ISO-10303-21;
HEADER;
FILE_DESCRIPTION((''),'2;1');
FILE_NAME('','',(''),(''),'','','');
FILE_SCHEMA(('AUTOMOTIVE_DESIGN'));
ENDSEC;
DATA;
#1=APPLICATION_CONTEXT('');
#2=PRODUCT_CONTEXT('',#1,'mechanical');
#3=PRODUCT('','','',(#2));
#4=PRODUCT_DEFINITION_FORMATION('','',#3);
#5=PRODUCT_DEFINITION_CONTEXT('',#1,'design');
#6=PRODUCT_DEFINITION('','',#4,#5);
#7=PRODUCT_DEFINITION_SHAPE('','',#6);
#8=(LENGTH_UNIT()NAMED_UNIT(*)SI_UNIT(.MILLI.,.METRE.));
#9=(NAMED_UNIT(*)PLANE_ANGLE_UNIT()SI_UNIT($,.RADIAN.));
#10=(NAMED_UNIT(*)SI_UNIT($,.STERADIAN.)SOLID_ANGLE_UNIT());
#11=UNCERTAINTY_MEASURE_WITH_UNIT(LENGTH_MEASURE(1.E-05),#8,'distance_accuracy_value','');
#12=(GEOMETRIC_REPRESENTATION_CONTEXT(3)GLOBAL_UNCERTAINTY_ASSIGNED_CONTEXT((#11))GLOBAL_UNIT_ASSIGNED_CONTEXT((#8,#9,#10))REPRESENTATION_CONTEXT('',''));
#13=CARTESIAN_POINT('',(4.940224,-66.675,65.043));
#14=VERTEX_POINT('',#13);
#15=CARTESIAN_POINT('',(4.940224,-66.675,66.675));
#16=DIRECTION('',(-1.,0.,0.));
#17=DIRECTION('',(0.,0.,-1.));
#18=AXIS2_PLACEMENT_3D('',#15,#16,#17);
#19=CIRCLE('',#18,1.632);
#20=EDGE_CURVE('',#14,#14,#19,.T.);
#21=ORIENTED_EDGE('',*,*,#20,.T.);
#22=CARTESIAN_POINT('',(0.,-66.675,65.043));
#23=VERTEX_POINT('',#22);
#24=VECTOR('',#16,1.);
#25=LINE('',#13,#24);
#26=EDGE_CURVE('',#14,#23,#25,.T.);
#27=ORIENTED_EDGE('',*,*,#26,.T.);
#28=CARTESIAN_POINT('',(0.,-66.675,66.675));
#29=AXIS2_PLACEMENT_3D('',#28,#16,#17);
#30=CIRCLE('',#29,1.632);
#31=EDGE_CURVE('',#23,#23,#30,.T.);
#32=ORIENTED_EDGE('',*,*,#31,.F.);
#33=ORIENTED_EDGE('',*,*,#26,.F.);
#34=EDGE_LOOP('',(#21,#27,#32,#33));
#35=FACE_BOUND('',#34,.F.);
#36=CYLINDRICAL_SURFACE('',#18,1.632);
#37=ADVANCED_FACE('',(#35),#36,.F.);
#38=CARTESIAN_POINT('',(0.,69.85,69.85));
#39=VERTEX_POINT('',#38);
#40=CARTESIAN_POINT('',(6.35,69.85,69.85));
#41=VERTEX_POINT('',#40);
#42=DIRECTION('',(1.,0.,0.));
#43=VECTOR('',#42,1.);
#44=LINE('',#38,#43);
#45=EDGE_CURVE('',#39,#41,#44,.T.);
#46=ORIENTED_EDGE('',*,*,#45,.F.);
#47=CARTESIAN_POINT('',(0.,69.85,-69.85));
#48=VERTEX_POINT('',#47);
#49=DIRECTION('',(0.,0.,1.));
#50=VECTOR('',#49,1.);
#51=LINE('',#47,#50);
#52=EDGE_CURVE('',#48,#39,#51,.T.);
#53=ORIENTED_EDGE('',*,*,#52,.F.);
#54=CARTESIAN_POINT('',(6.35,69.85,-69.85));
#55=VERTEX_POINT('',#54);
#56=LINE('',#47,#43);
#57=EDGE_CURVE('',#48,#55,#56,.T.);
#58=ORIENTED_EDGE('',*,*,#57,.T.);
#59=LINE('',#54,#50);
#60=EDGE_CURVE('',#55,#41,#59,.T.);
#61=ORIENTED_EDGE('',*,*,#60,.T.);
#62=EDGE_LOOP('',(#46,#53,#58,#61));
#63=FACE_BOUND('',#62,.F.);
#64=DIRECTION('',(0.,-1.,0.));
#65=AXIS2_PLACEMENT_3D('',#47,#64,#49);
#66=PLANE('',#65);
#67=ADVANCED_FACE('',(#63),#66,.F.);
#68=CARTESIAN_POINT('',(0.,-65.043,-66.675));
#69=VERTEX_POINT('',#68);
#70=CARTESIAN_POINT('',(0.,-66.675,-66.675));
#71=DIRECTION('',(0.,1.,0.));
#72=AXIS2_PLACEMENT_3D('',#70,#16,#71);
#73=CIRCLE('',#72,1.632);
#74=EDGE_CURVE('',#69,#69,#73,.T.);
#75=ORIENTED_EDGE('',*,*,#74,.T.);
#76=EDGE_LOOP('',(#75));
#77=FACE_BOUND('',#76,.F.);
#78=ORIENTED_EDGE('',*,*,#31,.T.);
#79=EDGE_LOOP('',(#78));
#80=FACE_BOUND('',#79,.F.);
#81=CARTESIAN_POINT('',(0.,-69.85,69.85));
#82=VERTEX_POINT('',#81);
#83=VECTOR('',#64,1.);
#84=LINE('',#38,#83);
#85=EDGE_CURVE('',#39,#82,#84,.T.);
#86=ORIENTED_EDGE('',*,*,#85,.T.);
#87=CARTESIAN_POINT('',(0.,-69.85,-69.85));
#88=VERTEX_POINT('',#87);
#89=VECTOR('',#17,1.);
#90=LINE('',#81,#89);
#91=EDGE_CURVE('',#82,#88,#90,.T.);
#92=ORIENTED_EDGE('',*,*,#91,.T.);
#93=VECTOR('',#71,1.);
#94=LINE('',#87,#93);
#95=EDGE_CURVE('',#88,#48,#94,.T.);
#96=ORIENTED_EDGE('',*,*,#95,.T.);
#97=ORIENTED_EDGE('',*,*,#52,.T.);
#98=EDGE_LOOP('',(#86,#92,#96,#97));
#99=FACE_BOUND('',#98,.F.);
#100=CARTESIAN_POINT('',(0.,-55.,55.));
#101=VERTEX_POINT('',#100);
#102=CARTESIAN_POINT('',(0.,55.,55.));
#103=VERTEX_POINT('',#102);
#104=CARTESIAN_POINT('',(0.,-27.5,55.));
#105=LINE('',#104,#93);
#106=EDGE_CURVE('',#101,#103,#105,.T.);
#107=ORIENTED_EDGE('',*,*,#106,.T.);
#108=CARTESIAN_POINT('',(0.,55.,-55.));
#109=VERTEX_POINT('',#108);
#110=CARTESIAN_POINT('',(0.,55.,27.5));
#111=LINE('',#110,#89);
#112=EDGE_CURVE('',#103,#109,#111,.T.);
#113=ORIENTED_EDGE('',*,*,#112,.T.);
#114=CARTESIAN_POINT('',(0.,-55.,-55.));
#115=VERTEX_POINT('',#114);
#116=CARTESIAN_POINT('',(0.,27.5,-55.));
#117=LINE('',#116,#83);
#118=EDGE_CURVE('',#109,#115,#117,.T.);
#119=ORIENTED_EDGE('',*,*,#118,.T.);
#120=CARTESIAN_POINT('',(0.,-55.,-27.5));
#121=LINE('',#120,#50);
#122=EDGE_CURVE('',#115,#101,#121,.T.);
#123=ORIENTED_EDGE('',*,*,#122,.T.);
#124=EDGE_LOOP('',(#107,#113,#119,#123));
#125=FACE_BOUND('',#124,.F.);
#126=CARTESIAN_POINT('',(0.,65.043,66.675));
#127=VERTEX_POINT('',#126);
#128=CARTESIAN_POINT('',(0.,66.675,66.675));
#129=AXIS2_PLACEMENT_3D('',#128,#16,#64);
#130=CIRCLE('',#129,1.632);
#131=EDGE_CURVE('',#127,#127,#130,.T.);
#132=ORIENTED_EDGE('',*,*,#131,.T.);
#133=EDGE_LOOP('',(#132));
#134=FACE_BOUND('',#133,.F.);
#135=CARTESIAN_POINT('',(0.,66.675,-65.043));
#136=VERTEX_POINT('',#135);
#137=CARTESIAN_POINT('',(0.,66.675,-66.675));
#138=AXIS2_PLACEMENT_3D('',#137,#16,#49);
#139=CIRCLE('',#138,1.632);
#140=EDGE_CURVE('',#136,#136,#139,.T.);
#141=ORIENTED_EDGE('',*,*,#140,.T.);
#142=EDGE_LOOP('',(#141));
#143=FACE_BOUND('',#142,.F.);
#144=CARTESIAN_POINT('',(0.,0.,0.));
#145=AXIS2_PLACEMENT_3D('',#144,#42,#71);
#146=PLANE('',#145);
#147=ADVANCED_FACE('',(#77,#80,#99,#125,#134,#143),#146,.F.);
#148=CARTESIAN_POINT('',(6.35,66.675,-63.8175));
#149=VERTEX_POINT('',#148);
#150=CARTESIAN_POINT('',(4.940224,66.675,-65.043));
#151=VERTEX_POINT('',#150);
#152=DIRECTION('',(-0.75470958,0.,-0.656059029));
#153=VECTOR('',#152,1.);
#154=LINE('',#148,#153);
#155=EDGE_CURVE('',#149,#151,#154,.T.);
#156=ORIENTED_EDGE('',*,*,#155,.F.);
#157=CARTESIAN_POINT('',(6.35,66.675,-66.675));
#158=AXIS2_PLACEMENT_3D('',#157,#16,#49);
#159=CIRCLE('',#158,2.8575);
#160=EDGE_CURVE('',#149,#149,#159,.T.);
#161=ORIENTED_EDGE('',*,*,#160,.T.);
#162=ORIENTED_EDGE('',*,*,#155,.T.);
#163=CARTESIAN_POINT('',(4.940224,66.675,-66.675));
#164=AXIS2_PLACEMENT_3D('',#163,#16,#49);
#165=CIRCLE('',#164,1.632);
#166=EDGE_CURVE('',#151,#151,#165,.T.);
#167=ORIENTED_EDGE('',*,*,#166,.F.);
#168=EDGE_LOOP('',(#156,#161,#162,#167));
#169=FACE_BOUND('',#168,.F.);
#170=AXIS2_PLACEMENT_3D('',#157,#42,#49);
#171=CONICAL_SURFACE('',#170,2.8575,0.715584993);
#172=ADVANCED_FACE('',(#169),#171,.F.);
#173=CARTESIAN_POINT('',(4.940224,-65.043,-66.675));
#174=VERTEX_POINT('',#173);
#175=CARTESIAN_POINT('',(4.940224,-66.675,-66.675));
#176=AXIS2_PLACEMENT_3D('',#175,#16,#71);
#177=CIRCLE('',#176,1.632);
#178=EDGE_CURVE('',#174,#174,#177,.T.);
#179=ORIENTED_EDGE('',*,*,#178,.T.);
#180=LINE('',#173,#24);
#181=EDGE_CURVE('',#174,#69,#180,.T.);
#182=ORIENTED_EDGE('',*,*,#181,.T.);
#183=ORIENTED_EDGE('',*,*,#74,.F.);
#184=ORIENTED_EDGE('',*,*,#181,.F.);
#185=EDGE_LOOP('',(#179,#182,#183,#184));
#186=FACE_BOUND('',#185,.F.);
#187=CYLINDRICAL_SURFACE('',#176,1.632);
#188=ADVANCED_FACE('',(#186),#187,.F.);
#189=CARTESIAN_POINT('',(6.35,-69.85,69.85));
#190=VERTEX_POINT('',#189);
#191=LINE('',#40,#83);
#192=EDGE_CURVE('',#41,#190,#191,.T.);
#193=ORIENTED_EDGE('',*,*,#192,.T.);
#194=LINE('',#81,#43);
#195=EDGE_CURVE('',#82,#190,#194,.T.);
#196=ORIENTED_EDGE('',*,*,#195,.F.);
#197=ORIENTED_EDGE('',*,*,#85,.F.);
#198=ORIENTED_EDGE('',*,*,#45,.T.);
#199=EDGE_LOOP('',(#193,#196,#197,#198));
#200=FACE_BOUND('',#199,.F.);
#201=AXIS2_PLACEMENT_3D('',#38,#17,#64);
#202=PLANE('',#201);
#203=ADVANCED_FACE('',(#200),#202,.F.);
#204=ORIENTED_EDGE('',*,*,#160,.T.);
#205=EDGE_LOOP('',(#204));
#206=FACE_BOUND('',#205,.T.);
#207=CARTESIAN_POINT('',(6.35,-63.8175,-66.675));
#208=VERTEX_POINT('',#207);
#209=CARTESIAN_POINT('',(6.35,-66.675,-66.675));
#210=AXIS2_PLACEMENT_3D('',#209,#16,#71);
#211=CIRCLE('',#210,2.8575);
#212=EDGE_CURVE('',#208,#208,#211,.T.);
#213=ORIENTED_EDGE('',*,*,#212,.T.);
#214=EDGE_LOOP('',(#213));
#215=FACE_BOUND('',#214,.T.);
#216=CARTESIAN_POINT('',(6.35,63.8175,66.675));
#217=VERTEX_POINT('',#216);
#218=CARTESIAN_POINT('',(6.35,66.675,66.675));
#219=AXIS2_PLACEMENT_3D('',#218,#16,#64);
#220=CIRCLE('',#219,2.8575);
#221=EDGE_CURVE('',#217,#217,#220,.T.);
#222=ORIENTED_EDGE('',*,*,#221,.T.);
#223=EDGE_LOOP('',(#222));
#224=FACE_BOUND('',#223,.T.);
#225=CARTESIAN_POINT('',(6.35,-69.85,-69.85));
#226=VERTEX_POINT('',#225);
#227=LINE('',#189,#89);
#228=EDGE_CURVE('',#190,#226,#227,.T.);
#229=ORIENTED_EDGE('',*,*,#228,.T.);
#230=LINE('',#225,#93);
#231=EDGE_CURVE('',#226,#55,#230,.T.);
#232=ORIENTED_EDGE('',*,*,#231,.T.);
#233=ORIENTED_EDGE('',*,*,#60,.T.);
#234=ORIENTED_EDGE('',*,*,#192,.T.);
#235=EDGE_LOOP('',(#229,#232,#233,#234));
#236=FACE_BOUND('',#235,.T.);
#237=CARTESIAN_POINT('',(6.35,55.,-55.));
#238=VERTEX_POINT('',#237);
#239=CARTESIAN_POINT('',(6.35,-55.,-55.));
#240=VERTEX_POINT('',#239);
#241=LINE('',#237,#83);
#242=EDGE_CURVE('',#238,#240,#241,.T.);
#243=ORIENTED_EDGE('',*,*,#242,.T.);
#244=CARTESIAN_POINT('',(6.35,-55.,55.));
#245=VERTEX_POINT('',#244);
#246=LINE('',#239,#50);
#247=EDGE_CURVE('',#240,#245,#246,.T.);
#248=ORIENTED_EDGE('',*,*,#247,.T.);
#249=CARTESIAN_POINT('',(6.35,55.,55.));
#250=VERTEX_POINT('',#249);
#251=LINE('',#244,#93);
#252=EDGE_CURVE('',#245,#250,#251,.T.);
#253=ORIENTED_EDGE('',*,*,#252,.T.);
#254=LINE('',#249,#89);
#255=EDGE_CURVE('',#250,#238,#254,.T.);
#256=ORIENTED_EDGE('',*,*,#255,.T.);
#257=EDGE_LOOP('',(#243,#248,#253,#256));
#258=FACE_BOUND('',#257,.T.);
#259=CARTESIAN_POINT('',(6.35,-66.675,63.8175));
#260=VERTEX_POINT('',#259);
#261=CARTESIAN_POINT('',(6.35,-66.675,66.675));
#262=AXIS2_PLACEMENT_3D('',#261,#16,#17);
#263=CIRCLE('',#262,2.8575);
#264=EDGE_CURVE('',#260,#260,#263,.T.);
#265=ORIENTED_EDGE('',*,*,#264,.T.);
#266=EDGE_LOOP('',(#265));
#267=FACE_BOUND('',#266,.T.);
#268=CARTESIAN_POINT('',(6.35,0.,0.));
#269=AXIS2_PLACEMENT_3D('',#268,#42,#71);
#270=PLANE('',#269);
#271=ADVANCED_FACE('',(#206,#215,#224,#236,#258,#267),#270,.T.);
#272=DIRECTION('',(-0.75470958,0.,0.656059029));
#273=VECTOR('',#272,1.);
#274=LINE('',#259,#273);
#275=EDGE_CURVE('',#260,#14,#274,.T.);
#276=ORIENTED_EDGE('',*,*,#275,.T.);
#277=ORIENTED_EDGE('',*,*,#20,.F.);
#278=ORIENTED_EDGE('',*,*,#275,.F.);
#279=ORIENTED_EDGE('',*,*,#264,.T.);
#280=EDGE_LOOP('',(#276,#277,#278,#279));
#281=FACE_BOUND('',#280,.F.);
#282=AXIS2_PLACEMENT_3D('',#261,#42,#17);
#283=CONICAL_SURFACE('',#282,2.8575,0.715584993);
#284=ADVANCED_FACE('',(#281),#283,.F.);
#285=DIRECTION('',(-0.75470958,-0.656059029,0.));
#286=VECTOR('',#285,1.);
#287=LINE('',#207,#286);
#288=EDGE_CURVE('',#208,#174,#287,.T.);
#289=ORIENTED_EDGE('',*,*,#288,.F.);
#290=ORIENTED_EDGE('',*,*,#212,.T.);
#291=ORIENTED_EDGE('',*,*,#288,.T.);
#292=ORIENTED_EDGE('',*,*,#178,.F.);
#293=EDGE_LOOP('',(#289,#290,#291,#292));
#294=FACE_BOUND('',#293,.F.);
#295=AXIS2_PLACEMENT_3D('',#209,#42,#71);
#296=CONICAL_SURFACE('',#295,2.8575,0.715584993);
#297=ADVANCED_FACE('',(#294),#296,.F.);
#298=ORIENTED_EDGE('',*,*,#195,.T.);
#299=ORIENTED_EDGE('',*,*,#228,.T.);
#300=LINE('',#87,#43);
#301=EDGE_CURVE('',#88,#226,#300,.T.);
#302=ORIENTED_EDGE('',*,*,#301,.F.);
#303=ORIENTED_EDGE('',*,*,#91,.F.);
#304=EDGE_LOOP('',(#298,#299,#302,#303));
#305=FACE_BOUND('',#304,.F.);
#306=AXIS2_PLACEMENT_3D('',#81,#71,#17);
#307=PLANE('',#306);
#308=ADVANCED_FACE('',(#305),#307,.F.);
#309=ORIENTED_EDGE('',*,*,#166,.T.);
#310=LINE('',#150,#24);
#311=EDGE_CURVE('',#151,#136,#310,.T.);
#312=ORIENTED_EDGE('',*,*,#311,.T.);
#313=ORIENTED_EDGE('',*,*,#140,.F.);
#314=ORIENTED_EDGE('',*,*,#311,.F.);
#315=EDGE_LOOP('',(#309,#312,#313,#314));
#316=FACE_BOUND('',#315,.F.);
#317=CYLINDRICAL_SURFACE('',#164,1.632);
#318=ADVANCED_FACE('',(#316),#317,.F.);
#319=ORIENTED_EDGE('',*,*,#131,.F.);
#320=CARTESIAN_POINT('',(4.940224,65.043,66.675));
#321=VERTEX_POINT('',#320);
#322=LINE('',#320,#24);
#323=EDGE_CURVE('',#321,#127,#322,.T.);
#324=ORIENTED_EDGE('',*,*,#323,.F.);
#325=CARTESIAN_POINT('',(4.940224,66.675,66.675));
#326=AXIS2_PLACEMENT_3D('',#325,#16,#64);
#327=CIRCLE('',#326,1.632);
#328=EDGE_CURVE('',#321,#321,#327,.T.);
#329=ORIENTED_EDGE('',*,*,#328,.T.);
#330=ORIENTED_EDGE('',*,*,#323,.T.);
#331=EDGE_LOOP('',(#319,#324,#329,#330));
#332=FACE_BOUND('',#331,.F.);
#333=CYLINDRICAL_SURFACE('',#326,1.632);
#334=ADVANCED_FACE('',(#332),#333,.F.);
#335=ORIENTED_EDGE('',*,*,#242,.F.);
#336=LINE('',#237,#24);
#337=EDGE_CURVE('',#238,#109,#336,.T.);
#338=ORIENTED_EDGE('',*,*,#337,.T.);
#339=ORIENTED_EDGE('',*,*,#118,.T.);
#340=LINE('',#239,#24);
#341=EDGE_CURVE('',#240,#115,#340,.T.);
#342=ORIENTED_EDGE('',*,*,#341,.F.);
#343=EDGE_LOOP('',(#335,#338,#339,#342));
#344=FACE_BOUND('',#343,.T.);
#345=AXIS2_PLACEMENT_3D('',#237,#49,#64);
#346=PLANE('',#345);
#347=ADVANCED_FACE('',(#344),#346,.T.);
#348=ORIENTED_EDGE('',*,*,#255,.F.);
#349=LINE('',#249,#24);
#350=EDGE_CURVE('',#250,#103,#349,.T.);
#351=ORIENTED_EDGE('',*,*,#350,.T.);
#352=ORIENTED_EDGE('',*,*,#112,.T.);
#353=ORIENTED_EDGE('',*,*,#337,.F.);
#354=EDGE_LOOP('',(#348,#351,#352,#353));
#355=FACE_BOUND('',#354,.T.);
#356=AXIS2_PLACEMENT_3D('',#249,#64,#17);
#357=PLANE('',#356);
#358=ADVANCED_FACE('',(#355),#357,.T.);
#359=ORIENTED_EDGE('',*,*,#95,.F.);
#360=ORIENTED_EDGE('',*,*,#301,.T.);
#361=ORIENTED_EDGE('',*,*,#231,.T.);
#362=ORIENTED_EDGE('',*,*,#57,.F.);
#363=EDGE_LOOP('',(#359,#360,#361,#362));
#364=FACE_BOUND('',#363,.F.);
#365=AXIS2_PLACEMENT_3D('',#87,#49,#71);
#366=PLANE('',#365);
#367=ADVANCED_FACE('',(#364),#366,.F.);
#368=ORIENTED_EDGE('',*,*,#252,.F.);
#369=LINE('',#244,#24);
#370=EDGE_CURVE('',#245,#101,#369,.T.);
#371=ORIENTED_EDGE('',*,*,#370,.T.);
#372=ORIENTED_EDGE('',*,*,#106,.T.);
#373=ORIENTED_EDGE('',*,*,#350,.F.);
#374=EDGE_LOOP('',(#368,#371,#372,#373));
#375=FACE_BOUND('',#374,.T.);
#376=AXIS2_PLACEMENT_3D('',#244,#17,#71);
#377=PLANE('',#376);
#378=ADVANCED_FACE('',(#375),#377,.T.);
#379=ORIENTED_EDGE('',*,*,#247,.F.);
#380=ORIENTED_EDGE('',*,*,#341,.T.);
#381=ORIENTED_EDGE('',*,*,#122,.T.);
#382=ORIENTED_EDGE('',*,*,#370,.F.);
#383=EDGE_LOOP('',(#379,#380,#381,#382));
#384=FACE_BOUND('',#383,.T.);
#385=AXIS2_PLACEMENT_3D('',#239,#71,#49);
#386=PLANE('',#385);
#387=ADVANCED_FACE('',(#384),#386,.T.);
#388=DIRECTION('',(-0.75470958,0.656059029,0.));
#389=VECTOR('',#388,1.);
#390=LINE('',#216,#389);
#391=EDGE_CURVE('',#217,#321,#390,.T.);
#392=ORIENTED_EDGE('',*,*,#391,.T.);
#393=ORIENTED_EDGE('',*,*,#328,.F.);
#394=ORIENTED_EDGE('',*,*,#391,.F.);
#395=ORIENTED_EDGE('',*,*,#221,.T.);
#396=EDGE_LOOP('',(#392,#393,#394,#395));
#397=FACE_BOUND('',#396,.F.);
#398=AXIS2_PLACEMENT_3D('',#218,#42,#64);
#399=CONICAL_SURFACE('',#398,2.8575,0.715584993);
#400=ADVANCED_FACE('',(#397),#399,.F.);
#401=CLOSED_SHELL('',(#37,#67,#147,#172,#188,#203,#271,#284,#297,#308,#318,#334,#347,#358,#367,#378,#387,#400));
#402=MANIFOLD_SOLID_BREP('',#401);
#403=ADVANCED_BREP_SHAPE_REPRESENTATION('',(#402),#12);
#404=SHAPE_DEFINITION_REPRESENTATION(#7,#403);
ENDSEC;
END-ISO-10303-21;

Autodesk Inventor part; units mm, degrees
ref_plane "YZ Plane" through (0, 0, 0) normal (1, 0, 0) x (0, 1, 0)
ref_plane "XZ Plane" through (0, 0, 0) normal (0, 1, 0) x (-1, 0, 0)
ref_plane "XY Plane" through (0, 0, 0) normal (0, 0, 1) x (1, 0, 0)
sketch "Sketch1" plane through (0, 0, 0) normal (1, 0, 0) x (0, 1, 0)
  line L0 (-69.85, -69.85) -> (69.85, -69.85)
  line L1 (69.85, -69.85) -> (69.85, 69.85)
  line L2 (69.85, 69.85) -> (-69.85, 69.85)
  line L3 (-69.85, 69.85) -> (-69.85, -69.85)
  line L4 (-69.85, -69.85) -> (69.85, 69.85) construction
  line L5 (69.85, -69.85) -> (-69.85, 69.85) construction
  point P0 (0, 0)
  dimension "d0" = 139.7
  dimension "d1" = 139.7
extrude "Extrusion1" add sketch "Sketch1" along normal blind 6.35
sketch "Sketch26" plane through (6.35, 0, 0) normal (1, 0, 0) x (0, 0, -1)
  line L0 (69.85, -69.85) -> (69.85, 69.85) projected
  line L1 (69.85, 69.85) -> (-69.85, 69.85) projected
  line L2 (-69.85, 69.85) -> (-69.85, -69.85) projected
  line L3 (-69.85, -69.85) -> (69.85, -69.85) projected
  point P0 (0, 0)
  point P1 (-66.675, -66.675)
  dimension "d247" = 3.175
  dimension "d248" = 3.175
hole "Hole14" at (6.35, -66.675, 66.675) direction (-1, 0, 0) diameter 3.264 end through all countersink diameter 5.715 countersink angle 82 clearance for "Flat Head Machine Screw (82)" size "#4" standard "Ansi Unified Screw Threads"
pattern_circular "Circular Pattern1" count 4 over 360 about axis through (-10, 0, 0) along (1, 0, 0) of "Hole14"
sketch "Sketch27" plane through (6.35, 0, 0) normal (1, 0, 0) x (0, 0, -1)
  circle A0 centre (-66.675, 66.675) radius 2.8575 projected
  circle A1 centre (66.675, 66.675) radius 2.8575 projected
  circle A2 centre (66.675, -66.675) radius 2.8575 projected
  circle A3 centre (-66.675, -66.675) radius 2.8575 projected
  line L0 (69.85, -69.85) -> (69.85, 69.85) projected
  line L1 (69.85, 69.85) -> (-69.85, 69.85) projected
  line L2 (-69.85, 69.85) -> (-69.85, -69.85) projected
  line L3 (-69.85, -69.85) -> (69.85, -69.85) projected
  line L4 (55, -55) -> (-55, -55)
  line L5 (-55, -55) -> (-55, 55)
  line L6 (-55, 55) -> (55, 55)
  line L7 (55, 55) -> (55, -55)
  line L8 (55, -55) -> (-55, 55) construction
  line L9 (-55, -55) -> (55, 55) construction
  point P0 (0, 0)
  dimension "d259" = 110
  dimension "d260" = 110
extrude "Extrusion12" cut sketch "Sketch27" against normal through all contours L4 L5 L6 L7
equation "\"height\" = 127"
equation "\"frameAcrylicThickness\" = 9.525"
equation "\"internalAcrylicThickness\" = 6.35"
equation "\"width\" = 127"
equation "\"depth\" = 146.05"
equation "\"mirrorAngle\" = 5deg"
equation "\"detectorWidth\" = 52"
equation "\"detectorHeight\" = 52"
equation "\"mirrorThickness\" = 3.175"
equation "\"fresnelThickness\" = 0.1"
equation "\"focalLength\" = 76.2"
equation "\"ior\" = 1.49"
equation "\"centerThickness\" = 1.524"
equation "\"fresnelAngle\" = 90deg"
equation "\"fresnelEffectiveDiameter\" = 152.4"
equation "\"oRingWidth\" = 1.5875"
equation "\"sensorHolderDepth\" = 19.05"
equation "\"aerogelClearence\" = 3.175"
equation "\"backplanePCBHeight\" = 76.2"
equation "\"backplanePCBWidth\" = 76.2"
equation "\"backplaneHoleOffsett\" = 6.35"
equation "\"backplanePostionOffsett\" = 12.7"
equation "\"moduleSlotClearence\" = 0.79375"
equation "\"plasticThickness\" = 6.35"
equation "\"aerogelHolderDepth\" = 37.30625"
properties part number "back" material "PC/ABS Plastic"
